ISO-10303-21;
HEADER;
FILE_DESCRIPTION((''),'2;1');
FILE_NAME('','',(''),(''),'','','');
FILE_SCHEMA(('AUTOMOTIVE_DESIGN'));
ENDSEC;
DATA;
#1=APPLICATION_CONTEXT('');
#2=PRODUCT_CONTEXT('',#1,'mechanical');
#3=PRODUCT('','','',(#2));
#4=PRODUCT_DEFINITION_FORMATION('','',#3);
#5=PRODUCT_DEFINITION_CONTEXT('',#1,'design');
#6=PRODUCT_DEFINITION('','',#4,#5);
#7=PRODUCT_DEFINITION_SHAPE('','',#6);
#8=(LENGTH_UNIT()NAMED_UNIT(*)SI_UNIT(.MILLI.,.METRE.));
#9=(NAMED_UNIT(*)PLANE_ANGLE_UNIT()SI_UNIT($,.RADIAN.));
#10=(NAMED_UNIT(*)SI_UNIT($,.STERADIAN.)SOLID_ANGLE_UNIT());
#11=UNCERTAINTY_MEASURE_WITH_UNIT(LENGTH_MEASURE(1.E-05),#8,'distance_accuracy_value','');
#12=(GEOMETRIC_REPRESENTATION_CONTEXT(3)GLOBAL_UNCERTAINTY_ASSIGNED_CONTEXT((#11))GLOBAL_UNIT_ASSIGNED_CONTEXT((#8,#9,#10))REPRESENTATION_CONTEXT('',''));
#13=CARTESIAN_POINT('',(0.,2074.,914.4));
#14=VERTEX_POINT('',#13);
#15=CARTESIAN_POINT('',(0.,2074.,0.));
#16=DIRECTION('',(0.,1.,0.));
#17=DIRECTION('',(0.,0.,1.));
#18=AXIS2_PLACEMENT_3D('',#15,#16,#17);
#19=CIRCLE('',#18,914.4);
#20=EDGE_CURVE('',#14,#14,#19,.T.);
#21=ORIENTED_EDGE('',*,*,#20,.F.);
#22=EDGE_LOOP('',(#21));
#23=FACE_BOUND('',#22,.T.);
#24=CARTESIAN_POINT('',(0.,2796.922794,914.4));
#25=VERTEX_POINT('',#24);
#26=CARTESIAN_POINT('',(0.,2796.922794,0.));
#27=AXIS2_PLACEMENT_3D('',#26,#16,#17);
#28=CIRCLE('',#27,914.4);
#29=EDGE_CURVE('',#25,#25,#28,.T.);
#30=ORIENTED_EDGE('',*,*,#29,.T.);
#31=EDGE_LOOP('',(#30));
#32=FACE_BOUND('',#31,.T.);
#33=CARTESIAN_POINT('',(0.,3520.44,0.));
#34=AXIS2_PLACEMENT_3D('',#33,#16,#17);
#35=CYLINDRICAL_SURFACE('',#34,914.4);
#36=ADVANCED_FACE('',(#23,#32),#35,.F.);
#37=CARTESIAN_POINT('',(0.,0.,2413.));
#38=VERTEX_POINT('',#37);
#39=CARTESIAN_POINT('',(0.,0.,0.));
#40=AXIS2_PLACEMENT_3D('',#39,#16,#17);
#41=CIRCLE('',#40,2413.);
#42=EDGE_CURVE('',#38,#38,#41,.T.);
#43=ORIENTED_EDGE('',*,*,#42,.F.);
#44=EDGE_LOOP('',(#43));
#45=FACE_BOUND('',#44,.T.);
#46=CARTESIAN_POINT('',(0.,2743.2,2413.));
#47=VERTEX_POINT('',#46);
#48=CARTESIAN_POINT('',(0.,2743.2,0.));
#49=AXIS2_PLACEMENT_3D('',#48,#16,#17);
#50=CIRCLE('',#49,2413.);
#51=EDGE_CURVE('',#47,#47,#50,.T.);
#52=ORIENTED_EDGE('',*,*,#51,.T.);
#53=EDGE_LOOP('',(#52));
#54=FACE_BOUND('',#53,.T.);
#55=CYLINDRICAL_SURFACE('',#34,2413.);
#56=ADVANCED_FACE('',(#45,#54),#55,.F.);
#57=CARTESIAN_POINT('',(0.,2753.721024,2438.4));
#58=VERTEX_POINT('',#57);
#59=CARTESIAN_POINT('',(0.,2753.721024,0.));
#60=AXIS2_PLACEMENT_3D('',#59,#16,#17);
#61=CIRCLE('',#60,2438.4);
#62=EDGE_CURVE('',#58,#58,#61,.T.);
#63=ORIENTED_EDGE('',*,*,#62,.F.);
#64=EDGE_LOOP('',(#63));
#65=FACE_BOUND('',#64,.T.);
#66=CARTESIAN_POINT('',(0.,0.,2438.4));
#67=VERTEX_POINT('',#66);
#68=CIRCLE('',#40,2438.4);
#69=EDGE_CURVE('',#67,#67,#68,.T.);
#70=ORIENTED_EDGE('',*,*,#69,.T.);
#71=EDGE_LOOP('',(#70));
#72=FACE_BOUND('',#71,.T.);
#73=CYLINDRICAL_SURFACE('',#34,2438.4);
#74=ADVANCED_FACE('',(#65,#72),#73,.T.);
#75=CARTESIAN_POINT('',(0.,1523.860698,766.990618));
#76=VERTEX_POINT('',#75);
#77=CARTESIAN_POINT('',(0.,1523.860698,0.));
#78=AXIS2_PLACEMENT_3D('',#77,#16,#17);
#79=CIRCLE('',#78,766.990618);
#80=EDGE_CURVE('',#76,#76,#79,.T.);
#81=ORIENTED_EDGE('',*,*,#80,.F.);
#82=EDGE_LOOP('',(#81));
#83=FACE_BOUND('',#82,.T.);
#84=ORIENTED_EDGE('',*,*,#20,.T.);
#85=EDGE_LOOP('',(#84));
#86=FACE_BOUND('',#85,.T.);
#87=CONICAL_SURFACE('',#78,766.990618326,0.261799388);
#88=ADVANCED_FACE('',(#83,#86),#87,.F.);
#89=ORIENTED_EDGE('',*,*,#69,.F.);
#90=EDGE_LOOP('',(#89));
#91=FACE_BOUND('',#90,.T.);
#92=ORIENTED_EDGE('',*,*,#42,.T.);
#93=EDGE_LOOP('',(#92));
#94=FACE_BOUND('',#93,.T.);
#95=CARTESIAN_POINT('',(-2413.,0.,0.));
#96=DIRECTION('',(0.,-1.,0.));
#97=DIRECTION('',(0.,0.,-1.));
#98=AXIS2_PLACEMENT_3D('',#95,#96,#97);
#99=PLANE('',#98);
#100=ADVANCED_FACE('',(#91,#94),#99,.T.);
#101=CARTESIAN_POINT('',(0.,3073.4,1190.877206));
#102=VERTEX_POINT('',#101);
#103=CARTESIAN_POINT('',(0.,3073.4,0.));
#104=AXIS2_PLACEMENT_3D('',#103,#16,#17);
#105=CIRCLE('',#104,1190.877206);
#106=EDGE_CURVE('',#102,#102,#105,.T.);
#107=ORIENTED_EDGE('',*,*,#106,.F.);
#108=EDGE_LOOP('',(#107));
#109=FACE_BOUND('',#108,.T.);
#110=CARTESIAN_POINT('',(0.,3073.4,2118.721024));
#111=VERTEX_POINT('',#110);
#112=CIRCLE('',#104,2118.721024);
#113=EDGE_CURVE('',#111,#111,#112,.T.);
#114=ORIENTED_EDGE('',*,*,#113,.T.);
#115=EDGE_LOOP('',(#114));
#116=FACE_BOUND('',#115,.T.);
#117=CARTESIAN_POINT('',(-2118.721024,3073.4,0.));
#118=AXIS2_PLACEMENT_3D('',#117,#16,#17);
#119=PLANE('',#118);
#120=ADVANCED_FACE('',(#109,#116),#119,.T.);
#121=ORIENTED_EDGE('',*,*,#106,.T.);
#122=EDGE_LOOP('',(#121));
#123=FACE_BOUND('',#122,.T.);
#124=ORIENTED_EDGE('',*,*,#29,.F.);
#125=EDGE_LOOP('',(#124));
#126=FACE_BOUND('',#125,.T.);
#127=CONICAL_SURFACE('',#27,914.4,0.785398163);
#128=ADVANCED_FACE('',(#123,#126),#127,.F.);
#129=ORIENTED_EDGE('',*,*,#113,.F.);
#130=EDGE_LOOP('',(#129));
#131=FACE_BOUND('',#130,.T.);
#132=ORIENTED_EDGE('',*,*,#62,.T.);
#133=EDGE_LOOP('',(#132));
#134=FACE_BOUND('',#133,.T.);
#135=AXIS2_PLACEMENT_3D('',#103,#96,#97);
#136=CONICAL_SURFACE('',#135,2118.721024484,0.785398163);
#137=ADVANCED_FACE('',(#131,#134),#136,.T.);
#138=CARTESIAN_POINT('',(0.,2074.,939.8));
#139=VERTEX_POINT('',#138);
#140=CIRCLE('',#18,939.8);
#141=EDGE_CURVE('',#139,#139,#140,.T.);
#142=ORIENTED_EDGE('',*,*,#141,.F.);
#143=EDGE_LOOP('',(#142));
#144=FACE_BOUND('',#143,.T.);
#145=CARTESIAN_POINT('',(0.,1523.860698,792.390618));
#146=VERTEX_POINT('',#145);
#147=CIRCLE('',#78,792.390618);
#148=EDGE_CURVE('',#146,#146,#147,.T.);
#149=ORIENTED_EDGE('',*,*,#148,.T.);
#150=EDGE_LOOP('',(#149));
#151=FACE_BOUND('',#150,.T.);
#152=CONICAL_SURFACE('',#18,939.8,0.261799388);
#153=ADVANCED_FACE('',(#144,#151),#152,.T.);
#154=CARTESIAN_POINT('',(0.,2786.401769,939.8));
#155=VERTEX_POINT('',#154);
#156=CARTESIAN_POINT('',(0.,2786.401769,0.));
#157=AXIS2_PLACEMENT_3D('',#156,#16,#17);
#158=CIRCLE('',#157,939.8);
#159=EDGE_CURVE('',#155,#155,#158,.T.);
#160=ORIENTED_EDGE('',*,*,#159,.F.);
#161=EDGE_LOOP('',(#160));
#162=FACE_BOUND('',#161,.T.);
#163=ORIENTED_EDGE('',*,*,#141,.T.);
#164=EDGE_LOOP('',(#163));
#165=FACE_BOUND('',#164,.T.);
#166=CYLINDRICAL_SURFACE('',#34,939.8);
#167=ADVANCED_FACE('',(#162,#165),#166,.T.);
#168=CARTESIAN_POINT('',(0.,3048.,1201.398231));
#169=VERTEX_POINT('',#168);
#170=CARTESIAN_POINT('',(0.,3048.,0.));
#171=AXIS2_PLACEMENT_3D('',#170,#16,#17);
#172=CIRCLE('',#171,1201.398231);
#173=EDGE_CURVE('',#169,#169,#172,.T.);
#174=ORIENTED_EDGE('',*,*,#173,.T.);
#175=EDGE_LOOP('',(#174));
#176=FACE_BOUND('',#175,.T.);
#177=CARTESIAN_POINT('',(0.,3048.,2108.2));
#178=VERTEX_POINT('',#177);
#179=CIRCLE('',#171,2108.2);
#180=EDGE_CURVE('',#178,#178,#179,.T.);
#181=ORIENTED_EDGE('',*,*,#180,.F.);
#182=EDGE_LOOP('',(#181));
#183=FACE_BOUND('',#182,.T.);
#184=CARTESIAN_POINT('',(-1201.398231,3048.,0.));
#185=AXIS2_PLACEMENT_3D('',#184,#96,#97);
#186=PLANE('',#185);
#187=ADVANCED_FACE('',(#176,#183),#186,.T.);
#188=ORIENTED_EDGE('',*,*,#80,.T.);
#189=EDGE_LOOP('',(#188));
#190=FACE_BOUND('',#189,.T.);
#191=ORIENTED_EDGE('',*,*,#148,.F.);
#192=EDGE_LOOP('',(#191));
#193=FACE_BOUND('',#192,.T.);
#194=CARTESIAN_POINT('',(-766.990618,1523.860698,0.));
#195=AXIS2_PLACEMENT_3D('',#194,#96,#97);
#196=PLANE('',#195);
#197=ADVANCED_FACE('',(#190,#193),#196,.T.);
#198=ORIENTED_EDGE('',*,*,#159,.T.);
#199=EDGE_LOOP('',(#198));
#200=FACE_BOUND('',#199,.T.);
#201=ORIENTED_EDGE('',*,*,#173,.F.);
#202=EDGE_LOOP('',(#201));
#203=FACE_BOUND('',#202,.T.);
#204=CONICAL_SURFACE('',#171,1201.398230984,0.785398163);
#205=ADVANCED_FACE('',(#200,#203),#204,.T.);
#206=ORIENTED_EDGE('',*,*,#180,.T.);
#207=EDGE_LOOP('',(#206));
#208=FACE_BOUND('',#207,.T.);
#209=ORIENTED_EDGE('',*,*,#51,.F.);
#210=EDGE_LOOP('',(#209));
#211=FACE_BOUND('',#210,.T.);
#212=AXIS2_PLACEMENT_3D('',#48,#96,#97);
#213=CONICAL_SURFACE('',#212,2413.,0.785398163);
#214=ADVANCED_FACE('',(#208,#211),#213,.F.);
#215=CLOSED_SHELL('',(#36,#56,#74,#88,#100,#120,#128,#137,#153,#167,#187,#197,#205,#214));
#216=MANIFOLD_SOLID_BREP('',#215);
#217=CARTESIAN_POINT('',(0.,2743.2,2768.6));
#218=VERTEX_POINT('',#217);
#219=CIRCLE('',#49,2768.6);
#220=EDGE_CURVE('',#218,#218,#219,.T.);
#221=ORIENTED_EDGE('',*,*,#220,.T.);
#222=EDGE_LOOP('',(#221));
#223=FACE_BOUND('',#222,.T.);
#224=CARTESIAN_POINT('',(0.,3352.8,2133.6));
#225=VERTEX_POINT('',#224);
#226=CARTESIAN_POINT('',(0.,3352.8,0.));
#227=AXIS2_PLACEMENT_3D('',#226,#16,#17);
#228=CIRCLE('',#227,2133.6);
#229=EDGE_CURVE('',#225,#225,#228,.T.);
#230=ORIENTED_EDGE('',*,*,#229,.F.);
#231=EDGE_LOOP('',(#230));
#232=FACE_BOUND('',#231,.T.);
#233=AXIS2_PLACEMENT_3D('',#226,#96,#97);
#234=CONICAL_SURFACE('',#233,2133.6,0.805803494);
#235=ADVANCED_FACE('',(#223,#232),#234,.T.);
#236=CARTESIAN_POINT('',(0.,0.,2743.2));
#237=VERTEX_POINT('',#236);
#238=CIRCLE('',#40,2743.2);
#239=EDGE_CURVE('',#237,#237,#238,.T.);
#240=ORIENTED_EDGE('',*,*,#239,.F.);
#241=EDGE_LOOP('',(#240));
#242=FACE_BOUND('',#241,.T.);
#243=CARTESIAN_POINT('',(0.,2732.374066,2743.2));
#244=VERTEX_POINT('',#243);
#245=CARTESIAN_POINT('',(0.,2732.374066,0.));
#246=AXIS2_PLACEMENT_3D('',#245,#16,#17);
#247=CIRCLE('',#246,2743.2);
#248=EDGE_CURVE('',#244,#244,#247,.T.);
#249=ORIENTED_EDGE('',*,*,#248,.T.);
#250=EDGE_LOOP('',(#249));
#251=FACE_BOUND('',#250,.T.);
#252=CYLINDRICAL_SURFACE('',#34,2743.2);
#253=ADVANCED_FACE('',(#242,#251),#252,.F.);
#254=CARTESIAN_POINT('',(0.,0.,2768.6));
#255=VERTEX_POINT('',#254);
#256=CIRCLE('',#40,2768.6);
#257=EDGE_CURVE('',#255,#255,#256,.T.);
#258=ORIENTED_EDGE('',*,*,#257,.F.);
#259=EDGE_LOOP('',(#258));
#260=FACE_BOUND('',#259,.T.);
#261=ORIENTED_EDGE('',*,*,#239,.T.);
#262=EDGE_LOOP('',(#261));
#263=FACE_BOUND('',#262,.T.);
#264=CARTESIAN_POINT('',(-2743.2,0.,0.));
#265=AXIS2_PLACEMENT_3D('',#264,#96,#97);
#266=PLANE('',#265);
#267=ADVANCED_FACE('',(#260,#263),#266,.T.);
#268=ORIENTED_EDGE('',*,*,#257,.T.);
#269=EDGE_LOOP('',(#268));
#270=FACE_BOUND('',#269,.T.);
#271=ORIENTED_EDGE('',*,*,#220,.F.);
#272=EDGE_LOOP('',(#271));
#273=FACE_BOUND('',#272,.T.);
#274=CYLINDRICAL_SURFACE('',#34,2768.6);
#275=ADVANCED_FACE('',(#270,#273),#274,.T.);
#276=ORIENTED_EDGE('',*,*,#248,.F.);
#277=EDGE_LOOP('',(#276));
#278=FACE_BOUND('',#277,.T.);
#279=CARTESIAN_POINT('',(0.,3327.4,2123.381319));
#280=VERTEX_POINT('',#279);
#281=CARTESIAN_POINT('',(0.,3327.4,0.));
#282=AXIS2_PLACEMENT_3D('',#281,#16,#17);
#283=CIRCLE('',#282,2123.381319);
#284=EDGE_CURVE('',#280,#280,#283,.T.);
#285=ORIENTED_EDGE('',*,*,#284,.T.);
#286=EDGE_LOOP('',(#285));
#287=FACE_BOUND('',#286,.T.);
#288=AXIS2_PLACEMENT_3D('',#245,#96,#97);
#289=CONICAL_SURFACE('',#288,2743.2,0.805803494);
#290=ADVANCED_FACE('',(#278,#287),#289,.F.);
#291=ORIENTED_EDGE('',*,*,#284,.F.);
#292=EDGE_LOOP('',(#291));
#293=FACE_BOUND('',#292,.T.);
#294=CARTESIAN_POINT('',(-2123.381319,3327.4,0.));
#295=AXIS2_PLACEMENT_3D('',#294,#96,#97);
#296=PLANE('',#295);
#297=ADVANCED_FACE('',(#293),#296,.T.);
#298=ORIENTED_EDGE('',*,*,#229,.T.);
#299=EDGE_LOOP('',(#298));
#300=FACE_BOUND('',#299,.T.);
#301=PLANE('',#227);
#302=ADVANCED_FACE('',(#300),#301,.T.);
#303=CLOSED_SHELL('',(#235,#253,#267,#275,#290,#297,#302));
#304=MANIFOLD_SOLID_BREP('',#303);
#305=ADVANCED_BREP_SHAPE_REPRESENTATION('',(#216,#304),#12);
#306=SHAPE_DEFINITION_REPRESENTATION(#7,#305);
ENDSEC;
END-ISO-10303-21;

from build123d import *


with BuildPart() as part:
    # Sketch1 → Revolve1 (revolve)
    with BuildSketch(Plane.XY):
        Polygon((-2438.4, 0), (-2438.4, 2753.721024484), (-2118.721024484, 3073.4), (-1190.8772065, 3073.4), (-914.4, 2796.9227935), (-914.4, 2074), (-766.990618326, 1523.86069808), (-792.390618326, 1523.86069808), (-939.8, 2074), (-939.8, 2786.401769016), (-1201.398230984, 3048), (-2108.2, 3048), (-2413, 2743.2), (-2413, 0), align=None)
    revolve(axis=Axis((0, 3520.44, 0), (0, -1, 0)))


with BuildPart() as body_2:
    # Sketch2 → Revolve2 (revolve)
    with BuildSketch(Plane.XY):
        Polygon((-2743.2, 0), (-2768.6, 0), (-2768.6, 2743.2), (-2133.6, 3352.8), (0, 3352.8), (0, 3327.4), (-2123.381318695, 3327.4), (-2743.2, 2732.374065947), align=None)
    revolve(axis=Axis((0, 3520.44, 0), (0, -1, 0)))


solid = Compound([part.part, body_2.part])
